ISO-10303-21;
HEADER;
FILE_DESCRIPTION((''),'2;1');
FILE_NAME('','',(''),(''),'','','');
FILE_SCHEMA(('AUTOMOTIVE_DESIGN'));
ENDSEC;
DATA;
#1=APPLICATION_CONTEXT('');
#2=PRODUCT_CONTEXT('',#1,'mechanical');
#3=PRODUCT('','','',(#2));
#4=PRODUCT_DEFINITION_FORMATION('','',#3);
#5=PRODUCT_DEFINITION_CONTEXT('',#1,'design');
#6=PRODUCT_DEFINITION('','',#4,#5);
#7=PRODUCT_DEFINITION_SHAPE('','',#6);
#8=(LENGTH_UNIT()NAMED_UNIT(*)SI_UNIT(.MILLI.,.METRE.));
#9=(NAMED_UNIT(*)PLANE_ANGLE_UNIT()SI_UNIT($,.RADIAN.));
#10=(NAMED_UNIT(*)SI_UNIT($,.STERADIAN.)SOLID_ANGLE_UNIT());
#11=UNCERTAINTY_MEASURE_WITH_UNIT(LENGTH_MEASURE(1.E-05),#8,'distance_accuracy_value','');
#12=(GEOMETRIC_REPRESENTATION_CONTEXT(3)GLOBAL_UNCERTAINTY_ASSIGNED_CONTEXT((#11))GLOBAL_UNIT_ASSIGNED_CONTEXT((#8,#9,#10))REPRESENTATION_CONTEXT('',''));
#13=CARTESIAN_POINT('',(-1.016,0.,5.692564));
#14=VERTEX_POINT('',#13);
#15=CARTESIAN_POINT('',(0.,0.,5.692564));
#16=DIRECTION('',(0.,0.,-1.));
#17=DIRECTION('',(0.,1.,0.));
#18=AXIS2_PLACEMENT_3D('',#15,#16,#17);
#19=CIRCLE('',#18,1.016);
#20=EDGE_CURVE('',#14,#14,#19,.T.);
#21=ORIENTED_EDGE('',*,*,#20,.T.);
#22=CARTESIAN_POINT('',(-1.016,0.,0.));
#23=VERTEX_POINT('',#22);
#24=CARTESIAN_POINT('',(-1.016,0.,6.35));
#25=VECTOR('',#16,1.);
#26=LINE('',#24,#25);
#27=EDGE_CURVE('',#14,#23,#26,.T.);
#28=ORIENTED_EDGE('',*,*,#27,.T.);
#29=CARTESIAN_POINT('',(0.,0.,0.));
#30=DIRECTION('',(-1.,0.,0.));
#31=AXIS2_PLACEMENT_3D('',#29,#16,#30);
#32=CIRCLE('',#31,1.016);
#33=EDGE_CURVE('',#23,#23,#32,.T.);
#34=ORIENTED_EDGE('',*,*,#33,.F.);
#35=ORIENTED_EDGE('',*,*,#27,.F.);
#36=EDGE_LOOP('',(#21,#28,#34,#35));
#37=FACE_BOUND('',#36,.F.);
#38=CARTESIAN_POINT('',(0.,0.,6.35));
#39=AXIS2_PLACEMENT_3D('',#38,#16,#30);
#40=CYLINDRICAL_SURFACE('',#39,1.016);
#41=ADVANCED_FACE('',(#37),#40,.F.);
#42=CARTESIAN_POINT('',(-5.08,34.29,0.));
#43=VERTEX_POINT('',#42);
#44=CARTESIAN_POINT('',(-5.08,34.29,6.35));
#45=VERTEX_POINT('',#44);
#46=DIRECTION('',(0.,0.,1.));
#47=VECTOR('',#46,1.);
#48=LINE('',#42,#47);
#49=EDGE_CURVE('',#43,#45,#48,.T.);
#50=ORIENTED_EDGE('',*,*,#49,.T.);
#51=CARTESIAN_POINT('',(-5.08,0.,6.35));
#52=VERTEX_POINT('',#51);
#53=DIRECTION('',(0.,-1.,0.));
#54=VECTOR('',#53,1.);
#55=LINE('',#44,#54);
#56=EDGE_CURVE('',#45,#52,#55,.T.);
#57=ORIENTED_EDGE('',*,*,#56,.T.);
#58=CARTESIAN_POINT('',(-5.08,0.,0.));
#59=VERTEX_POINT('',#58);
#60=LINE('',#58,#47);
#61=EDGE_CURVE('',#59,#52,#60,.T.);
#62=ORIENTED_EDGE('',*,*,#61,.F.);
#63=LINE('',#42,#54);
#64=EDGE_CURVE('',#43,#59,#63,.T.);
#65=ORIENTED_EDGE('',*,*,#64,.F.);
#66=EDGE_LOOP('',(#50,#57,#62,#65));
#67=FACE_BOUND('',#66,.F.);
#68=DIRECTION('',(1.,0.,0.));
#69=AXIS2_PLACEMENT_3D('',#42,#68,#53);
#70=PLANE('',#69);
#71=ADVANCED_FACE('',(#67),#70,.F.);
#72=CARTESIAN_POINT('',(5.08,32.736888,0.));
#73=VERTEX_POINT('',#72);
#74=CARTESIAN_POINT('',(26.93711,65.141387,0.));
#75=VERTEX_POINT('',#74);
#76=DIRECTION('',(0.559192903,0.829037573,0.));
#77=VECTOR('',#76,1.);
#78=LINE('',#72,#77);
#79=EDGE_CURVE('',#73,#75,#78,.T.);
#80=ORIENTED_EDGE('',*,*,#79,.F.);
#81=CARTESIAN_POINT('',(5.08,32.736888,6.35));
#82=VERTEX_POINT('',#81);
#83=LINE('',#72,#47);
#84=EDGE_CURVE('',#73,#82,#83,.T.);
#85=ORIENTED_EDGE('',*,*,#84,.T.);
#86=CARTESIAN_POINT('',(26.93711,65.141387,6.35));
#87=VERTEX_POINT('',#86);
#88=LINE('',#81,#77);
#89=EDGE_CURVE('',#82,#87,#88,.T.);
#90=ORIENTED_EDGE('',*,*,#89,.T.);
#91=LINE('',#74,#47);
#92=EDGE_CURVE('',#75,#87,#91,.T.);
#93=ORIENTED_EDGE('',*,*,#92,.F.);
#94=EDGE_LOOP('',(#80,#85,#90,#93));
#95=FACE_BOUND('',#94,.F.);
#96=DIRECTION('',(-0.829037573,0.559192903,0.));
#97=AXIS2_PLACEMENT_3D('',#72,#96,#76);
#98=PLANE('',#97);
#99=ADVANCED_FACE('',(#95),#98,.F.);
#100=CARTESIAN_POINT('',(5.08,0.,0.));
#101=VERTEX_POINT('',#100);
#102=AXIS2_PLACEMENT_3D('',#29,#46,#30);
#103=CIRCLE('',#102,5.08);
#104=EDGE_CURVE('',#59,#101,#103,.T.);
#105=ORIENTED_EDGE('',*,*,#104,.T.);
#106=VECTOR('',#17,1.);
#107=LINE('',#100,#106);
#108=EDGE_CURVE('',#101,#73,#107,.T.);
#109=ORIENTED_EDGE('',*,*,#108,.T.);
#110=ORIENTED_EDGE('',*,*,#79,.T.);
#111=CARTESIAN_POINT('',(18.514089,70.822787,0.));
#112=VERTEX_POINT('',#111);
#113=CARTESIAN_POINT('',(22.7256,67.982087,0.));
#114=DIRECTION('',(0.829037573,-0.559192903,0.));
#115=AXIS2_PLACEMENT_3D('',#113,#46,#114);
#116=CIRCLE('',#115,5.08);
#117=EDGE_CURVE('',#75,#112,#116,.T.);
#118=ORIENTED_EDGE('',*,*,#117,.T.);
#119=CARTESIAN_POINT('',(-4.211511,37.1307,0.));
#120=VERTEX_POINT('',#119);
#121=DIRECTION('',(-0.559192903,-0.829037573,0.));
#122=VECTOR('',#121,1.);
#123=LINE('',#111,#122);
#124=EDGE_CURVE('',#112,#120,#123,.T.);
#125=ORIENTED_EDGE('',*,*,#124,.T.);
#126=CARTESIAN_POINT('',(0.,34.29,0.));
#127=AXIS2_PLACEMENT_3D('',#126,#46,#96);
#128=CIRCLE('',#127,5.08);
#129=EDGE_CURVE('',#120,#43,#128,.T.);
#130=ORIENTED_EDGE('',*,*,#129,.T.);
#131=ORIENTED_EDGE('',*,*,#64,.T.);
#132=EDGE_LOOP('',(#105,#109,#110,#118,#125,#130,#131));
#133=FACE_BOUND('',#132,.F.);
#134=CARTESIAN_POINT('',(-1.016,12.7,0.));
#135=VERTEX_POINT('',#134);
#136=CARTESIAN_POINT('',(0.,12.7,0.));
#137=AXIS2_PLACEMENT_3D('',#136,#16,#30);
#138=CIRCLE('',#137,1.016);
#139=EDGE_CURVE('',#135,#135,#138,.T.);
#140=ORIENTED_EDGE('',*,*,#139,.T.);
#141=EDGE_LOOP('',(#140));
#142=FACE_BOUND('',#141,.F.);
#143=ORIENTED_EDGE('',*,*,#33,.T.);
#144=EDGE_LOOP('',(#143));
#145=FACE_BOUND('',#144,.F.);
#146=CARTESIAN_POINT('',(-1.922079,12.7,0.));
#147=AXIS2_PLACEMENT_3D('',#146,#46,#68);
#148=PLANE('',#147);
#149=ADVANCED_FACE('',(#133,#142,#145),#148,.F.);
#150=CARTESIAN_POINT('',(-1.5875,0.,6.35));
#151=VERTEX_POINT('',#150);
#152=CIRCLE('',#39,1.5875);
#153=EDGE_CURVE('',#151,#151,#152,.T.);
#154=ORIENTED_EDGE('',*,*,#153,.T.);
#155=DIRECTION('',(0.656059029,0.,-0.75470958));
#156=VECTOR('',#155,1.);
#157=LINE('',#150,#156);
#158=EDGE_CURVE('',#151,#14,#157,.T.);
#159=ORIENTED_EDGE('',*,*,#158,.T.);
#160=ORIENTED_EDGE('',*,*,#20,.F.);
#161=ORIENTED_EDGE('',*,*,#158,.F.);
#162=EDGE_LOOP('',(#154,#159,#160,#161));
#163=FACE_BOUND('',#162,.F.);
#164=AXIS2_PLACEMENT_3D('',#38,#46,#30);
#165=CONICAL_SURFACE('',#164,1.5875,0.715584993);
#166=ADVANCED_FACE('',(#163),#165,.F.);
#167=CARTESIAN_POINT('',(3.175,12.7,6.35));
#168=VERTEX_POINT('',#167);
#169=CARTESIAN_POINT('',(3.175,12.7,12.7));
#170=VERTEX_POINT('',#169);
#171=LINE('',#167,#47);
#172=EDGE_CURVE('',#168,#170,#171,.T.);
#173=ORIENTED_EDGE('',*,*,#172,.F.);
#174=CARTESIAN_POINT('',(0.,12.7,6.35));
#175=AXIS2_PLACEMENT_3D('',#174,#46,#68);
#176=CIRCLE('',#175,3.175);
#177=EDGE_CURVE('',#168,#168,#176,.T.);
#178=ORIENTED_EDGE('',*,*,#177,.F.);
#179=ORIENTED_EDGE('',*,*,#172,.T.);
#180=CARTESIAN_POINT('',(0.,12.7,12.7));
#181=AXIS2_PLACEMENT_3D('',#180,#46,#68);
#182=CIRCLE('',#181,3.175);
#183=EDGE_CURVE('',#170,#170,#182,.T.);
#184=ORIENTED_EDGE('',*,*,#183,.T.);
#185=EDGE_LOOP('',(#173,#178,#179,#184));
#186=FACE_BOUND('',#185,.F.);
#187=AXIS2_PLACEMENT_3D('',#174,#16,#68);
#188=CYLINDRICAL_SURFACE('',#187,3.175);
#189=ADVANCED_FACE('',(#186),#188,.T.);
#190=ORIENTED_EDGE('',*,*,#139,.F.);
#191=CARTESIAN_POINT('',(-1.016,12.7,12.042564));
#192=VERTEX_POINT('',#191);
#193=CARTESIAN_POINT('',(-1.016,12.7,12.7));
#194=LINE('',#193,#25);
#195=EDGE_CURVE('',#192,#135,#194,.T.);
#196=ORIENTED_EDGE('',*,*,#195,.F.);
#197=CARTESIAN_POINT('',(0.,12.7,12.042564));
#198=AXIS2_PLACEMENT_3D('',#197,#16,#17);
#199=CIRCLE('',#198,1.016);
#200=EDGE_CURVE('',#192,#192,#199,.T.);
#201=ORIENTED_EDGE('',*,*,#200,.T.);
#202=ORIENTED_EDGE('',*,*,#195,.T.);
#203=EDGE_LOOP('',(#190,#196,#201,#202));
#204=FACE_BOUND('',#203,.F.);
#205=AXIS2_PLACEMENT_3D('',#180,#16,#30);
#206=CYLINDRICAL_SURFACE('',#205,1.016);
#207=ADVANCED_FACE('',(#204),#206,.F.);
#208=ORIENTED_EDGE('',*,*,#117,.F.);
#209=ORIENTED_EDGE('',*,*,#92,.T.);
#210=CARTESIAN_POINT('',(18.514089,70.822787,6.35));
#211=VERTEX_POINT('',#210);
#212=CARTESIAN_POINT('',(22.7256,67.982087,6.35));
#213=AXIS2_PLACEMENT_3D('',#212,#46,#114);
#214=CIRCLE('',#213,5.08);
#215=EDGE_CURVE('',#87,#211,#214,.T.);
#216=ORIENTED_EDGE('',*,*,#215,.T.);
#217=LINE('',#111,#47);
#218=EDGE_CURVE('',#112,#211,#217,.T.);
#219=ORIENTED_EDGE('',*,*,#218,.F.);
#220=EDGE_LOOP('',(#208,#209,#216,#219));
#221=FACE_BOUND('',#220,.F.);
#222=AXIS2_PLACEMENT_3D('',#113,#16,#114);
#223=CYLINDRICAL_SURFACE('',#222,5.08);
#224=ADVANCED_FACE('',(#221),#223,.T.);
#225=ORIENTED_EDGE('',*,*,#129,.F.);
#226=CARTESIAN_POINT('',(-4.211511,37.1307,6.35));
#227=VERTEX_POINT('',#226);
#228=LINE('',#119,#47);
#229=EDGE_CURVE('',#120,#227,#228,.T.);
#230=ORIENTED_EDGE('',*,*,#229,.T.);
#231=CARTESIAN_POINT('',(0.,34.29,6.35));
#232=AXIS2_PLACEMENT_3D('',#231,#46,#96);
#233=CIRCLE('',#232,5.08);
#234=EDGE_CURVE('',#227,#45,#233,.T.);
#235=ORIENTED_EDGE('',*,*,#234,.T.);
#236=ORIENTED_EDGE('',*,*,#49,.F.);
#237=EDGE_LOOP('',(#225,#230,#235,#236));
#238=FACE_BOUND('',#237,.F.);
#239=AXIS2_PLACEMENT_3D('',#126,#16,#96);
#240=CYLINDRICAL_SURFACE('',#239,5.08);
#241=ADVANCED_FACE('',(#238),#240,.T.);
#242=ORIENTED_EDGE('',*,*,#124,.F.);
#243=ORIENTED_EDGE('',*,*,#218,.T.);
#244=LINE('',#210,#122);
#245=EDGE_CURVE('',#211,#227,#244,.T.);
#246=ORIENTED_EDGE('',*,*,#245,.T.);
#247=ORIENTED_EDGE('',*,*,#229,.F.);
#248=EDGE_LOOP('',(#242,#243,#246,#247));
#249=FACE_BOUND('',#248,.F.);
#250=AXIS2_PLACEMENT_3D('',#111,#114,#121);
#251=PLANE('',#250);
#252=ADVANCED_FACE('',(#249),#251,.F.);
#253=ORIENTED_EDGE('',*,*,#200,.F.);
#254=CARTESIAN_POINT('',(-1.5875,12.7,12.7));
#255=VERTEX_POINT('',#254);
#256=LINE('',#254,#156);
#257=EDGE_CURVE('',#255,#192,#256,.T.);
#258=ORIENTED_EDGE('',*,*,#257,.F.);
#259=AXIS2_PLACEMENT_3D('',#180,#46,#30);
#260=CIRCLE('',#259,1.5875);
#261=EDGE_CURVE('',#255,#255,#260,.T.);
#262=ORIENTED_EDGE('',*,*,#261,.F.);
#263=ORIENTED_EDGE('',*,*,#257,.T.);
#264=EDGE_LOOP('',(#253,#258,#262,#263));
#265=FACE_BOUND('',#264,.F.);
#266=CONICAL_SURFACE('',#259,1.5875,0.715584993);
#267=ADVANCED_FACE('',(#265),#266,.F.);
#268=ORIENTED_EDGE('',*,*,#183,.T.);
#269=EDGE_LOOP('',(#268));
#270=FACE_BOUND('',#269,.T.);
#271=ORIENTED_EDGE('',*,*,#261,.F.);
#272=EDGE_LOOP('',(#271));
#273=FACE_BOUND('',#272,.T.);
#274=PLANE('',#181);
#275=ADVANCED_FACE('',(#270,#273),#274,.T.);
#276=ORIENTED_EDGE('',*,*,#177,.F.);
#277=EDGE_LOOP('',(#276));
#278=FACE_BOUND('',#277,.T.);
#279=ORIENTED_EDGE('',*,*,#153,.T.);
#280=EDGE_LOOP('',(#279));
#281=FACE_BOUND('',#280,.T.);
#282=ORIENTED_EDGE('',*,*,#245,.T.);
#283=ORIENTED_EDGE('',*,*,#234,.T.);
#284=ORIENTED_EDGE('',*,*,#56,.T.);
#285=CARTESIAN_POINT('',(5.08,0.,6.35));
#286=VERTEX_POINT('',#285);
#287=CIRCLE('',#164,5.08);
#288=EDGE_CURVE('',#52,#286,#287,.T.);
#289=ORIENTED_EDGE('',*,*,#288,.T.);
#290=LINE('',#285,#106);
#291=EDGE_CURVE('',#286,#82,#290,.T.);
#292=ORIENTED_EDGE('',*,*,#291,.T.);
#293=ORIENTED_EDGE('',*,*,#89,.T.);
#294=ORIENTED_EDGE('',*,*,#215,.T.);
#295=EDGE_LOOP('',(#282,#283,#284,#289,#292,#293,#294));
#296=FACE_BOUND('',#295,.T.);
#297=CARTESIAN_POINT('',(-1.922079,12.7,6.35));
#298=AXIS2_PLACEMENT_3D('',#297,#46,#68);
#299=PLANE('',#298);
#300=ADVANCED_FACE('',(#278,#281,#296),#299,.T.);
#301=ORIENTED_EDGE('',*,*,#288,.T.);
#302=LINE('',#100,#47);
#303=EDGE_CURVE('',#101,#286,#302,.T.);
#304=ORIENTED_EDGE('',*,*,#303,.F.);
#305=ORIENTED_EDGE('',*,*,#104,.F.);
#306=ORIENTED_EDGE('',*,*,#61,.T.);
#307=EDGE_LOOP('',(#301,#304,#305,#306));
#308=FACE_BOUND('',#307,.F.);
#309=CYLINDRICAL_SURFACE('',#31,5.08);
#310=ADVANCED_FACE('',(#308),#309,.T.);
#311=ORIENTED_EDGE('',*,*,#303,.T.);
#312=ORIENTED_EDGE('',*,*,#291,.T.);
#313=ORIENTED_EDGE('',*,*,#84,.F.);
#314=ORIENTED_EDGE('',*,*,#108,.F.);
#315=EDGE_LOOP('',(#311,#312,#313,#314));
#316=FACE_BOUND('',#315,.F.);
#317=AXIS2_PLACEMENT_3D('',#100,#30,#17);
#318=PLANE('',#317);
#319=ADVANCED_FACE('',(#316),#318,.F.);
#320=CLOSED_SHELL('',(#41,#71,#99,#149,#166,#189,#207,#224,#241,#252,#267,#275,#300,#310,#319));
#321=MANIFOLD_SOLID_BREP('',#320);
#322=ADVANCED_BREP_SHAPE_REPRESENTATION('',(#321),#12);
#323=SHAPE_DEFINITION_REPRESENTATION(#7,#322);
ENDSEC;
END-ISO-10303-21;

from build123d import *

# Parameters (mm, degrees)
F1_DEPTH       = 6.35
F2_R           = 3.175
F3_DEPTH       = 6.35
F5_D           = 2.032
F5_CSINK_D     = 3.175
F5_CSINK_ANGLE = 82
F7_D           = 2.032
F7_CSINK_D     = 3.175
F7_CSINK_ANGLE = 82


with BuildPart() as f1:
    # F0 (on Top) → F1 (new body)
    with BuildSketch(Plane.XY):
        with BuildLine():
            ThreePointArc((-5.08, 12.7), (-3.5921024484, 9.1078975516), (0, 7.62))
            Line((0, 7.62), (0, 12.7))
            Line((0, 12.7), (0, 17.78))
            ThreePointArc((0, 17.78), (-3.5921024484, 16.2921024484), (-5.08, 12.7))
        make_face()
        with BuildLine():
            Line((0, 12.7), (0, 7.62))
            ThreePointArc((0, 7.62), (3.5921024484, 9.1078975516), (5.08, 12.7))
            ThreePointArc((5.08, 12.7), (3.5921024484, 16.2921024484), (0, 17.78))
            Line((0, 17.78), (0, 12.7))
        make_face()
        with BuildLine():
            ThreePointArc((5.08, 12.7), (3.5921024484, 9.1078975516), (0, 7.62))
            ThreePointArc((0, 7.62), (-3.5921024484, 9.1078975516), (-5.08, 12.7))
            Line((-5.08, 12.7), (-5.08, 0))
            ThreePointArc((-5.08, 0), (0, -5.08), (5.08, 0))
            Line((5.08, 0), (5.08, 12.7))
        make_face()
        with BuildLine():
            ThreePointArc((0, 17.78), (3.5921024484, 16.2921024484), (5.08, 12.7))
            Line((5.08, 12.7), (5.08, 32.7368881382))
            Line((5.08, 32.7368881382), (4.2115108686, 31.4493000504))
            ThreePointArc((4.2115108686, 31.4493000504), (2.384915539, 29.8046262283), (0, 29.21))
            Line((0, 29.21), (0, 17.78))
        make_face()
        with BuildLine():
            Line((-5.08, 34.29), (-5.08, 12.7))
            ThreePointArc((-5.08, 12.7), (-3.5921024484, 16.2921024484), (0, 17.78))
            Line((0, 17.78), (0, 29.21))
            ThreePointArc((0, 29.21), (-3.5921024484, 30.6978975516), (-5.08, 34.29))
        make_face()
        with BuildLine():
            Line((5.08, 34.29), (5.08, 32.7368881382))
            Line((5.08, 32.7368881382), (26.9371104656, 65.141386999))
            ThreePointArc((26.9371104656, 65.141386999), (25.5662995467, 72.1935978172), (18.5140887285, 70.8227868983))
            Line((18.5140887285, 70.8227868983), (-4.2115108686, 37.1306999496))
            ThreePointArc((-4.2115108686, 37.1306999496), (-0.9693096965, 39.2766660919), (2.8406999496, 38.5015108686))
            ThreePointArc((2.8406999496, 38.5015108686), (4.4853737717, 36.674915539), (5.08, 34.29))
        make_face()
        with BuildLine():
            Line((4.2115108686, 31.4493000504), (5.08, 32.7368881382))
            Line((5.08, 32.7368881382), (5.08, 34.29))
            ThreePointArc((5.08, 34.29), (4.4853737717, 36.674915539), (2.8406999496, 38.5015108686))
            Line((2.8406999496, 38.5015108686), (0, 34.29))
            Line((0, 34.29), (0, 29.21))
            ThreePointArc((0, 29.21), (2.384915539, 29.8046262283), (4.2115108686, 31.4493000504))
        make_face()
        with BuildLine():
            ThreePointArc((-4.2115108686, 37.1306999496), (-4.8580281603, 35.77524826), (-5.08, 34.29))
            ThreePointArc((-5.08, 34.29), (-3.5921024484, 30.6978975516), (0, 29.21))
            Line((0, 29.21), (0, 34.29))
            Line((0, 34.29), (2.8406999496, 38.5015108686))
            ThreePointArc((2.8406999496, 38.5015108686), (-0.9693096965, 39.2766660919), (-4.2115108686, 37.1306999496))
        make_face()
    extrude(amount=F1_DEPTH)

    # F2 (on face) → F3 (join)
    with BuildSketch(Plane.XY.offset(6.35)):
        with Locations((0, 12.7)):
            Circle(F2_R)
    extrude(amount=F3_DEPTH)

    # F5 (through all)
    with Locations(Plane.XY.offset(12.7)):
        with Locations((0, 12.7)):
            CounterSinkHole(F5_D / 2, F5_CSINK_D / 2, counter_sink_angle=F5_CSINK_ANGLE)

    # F7 (through all)
    with Locations(Plane.XY.offset(6.35)):
        with Locations((0, 0)):
            CounterSinkHole(F7_D / 2, F7_CSINK_D / 2, counter_sink_angle=F7_CSINK_ANGLE)


solid = f1.part
